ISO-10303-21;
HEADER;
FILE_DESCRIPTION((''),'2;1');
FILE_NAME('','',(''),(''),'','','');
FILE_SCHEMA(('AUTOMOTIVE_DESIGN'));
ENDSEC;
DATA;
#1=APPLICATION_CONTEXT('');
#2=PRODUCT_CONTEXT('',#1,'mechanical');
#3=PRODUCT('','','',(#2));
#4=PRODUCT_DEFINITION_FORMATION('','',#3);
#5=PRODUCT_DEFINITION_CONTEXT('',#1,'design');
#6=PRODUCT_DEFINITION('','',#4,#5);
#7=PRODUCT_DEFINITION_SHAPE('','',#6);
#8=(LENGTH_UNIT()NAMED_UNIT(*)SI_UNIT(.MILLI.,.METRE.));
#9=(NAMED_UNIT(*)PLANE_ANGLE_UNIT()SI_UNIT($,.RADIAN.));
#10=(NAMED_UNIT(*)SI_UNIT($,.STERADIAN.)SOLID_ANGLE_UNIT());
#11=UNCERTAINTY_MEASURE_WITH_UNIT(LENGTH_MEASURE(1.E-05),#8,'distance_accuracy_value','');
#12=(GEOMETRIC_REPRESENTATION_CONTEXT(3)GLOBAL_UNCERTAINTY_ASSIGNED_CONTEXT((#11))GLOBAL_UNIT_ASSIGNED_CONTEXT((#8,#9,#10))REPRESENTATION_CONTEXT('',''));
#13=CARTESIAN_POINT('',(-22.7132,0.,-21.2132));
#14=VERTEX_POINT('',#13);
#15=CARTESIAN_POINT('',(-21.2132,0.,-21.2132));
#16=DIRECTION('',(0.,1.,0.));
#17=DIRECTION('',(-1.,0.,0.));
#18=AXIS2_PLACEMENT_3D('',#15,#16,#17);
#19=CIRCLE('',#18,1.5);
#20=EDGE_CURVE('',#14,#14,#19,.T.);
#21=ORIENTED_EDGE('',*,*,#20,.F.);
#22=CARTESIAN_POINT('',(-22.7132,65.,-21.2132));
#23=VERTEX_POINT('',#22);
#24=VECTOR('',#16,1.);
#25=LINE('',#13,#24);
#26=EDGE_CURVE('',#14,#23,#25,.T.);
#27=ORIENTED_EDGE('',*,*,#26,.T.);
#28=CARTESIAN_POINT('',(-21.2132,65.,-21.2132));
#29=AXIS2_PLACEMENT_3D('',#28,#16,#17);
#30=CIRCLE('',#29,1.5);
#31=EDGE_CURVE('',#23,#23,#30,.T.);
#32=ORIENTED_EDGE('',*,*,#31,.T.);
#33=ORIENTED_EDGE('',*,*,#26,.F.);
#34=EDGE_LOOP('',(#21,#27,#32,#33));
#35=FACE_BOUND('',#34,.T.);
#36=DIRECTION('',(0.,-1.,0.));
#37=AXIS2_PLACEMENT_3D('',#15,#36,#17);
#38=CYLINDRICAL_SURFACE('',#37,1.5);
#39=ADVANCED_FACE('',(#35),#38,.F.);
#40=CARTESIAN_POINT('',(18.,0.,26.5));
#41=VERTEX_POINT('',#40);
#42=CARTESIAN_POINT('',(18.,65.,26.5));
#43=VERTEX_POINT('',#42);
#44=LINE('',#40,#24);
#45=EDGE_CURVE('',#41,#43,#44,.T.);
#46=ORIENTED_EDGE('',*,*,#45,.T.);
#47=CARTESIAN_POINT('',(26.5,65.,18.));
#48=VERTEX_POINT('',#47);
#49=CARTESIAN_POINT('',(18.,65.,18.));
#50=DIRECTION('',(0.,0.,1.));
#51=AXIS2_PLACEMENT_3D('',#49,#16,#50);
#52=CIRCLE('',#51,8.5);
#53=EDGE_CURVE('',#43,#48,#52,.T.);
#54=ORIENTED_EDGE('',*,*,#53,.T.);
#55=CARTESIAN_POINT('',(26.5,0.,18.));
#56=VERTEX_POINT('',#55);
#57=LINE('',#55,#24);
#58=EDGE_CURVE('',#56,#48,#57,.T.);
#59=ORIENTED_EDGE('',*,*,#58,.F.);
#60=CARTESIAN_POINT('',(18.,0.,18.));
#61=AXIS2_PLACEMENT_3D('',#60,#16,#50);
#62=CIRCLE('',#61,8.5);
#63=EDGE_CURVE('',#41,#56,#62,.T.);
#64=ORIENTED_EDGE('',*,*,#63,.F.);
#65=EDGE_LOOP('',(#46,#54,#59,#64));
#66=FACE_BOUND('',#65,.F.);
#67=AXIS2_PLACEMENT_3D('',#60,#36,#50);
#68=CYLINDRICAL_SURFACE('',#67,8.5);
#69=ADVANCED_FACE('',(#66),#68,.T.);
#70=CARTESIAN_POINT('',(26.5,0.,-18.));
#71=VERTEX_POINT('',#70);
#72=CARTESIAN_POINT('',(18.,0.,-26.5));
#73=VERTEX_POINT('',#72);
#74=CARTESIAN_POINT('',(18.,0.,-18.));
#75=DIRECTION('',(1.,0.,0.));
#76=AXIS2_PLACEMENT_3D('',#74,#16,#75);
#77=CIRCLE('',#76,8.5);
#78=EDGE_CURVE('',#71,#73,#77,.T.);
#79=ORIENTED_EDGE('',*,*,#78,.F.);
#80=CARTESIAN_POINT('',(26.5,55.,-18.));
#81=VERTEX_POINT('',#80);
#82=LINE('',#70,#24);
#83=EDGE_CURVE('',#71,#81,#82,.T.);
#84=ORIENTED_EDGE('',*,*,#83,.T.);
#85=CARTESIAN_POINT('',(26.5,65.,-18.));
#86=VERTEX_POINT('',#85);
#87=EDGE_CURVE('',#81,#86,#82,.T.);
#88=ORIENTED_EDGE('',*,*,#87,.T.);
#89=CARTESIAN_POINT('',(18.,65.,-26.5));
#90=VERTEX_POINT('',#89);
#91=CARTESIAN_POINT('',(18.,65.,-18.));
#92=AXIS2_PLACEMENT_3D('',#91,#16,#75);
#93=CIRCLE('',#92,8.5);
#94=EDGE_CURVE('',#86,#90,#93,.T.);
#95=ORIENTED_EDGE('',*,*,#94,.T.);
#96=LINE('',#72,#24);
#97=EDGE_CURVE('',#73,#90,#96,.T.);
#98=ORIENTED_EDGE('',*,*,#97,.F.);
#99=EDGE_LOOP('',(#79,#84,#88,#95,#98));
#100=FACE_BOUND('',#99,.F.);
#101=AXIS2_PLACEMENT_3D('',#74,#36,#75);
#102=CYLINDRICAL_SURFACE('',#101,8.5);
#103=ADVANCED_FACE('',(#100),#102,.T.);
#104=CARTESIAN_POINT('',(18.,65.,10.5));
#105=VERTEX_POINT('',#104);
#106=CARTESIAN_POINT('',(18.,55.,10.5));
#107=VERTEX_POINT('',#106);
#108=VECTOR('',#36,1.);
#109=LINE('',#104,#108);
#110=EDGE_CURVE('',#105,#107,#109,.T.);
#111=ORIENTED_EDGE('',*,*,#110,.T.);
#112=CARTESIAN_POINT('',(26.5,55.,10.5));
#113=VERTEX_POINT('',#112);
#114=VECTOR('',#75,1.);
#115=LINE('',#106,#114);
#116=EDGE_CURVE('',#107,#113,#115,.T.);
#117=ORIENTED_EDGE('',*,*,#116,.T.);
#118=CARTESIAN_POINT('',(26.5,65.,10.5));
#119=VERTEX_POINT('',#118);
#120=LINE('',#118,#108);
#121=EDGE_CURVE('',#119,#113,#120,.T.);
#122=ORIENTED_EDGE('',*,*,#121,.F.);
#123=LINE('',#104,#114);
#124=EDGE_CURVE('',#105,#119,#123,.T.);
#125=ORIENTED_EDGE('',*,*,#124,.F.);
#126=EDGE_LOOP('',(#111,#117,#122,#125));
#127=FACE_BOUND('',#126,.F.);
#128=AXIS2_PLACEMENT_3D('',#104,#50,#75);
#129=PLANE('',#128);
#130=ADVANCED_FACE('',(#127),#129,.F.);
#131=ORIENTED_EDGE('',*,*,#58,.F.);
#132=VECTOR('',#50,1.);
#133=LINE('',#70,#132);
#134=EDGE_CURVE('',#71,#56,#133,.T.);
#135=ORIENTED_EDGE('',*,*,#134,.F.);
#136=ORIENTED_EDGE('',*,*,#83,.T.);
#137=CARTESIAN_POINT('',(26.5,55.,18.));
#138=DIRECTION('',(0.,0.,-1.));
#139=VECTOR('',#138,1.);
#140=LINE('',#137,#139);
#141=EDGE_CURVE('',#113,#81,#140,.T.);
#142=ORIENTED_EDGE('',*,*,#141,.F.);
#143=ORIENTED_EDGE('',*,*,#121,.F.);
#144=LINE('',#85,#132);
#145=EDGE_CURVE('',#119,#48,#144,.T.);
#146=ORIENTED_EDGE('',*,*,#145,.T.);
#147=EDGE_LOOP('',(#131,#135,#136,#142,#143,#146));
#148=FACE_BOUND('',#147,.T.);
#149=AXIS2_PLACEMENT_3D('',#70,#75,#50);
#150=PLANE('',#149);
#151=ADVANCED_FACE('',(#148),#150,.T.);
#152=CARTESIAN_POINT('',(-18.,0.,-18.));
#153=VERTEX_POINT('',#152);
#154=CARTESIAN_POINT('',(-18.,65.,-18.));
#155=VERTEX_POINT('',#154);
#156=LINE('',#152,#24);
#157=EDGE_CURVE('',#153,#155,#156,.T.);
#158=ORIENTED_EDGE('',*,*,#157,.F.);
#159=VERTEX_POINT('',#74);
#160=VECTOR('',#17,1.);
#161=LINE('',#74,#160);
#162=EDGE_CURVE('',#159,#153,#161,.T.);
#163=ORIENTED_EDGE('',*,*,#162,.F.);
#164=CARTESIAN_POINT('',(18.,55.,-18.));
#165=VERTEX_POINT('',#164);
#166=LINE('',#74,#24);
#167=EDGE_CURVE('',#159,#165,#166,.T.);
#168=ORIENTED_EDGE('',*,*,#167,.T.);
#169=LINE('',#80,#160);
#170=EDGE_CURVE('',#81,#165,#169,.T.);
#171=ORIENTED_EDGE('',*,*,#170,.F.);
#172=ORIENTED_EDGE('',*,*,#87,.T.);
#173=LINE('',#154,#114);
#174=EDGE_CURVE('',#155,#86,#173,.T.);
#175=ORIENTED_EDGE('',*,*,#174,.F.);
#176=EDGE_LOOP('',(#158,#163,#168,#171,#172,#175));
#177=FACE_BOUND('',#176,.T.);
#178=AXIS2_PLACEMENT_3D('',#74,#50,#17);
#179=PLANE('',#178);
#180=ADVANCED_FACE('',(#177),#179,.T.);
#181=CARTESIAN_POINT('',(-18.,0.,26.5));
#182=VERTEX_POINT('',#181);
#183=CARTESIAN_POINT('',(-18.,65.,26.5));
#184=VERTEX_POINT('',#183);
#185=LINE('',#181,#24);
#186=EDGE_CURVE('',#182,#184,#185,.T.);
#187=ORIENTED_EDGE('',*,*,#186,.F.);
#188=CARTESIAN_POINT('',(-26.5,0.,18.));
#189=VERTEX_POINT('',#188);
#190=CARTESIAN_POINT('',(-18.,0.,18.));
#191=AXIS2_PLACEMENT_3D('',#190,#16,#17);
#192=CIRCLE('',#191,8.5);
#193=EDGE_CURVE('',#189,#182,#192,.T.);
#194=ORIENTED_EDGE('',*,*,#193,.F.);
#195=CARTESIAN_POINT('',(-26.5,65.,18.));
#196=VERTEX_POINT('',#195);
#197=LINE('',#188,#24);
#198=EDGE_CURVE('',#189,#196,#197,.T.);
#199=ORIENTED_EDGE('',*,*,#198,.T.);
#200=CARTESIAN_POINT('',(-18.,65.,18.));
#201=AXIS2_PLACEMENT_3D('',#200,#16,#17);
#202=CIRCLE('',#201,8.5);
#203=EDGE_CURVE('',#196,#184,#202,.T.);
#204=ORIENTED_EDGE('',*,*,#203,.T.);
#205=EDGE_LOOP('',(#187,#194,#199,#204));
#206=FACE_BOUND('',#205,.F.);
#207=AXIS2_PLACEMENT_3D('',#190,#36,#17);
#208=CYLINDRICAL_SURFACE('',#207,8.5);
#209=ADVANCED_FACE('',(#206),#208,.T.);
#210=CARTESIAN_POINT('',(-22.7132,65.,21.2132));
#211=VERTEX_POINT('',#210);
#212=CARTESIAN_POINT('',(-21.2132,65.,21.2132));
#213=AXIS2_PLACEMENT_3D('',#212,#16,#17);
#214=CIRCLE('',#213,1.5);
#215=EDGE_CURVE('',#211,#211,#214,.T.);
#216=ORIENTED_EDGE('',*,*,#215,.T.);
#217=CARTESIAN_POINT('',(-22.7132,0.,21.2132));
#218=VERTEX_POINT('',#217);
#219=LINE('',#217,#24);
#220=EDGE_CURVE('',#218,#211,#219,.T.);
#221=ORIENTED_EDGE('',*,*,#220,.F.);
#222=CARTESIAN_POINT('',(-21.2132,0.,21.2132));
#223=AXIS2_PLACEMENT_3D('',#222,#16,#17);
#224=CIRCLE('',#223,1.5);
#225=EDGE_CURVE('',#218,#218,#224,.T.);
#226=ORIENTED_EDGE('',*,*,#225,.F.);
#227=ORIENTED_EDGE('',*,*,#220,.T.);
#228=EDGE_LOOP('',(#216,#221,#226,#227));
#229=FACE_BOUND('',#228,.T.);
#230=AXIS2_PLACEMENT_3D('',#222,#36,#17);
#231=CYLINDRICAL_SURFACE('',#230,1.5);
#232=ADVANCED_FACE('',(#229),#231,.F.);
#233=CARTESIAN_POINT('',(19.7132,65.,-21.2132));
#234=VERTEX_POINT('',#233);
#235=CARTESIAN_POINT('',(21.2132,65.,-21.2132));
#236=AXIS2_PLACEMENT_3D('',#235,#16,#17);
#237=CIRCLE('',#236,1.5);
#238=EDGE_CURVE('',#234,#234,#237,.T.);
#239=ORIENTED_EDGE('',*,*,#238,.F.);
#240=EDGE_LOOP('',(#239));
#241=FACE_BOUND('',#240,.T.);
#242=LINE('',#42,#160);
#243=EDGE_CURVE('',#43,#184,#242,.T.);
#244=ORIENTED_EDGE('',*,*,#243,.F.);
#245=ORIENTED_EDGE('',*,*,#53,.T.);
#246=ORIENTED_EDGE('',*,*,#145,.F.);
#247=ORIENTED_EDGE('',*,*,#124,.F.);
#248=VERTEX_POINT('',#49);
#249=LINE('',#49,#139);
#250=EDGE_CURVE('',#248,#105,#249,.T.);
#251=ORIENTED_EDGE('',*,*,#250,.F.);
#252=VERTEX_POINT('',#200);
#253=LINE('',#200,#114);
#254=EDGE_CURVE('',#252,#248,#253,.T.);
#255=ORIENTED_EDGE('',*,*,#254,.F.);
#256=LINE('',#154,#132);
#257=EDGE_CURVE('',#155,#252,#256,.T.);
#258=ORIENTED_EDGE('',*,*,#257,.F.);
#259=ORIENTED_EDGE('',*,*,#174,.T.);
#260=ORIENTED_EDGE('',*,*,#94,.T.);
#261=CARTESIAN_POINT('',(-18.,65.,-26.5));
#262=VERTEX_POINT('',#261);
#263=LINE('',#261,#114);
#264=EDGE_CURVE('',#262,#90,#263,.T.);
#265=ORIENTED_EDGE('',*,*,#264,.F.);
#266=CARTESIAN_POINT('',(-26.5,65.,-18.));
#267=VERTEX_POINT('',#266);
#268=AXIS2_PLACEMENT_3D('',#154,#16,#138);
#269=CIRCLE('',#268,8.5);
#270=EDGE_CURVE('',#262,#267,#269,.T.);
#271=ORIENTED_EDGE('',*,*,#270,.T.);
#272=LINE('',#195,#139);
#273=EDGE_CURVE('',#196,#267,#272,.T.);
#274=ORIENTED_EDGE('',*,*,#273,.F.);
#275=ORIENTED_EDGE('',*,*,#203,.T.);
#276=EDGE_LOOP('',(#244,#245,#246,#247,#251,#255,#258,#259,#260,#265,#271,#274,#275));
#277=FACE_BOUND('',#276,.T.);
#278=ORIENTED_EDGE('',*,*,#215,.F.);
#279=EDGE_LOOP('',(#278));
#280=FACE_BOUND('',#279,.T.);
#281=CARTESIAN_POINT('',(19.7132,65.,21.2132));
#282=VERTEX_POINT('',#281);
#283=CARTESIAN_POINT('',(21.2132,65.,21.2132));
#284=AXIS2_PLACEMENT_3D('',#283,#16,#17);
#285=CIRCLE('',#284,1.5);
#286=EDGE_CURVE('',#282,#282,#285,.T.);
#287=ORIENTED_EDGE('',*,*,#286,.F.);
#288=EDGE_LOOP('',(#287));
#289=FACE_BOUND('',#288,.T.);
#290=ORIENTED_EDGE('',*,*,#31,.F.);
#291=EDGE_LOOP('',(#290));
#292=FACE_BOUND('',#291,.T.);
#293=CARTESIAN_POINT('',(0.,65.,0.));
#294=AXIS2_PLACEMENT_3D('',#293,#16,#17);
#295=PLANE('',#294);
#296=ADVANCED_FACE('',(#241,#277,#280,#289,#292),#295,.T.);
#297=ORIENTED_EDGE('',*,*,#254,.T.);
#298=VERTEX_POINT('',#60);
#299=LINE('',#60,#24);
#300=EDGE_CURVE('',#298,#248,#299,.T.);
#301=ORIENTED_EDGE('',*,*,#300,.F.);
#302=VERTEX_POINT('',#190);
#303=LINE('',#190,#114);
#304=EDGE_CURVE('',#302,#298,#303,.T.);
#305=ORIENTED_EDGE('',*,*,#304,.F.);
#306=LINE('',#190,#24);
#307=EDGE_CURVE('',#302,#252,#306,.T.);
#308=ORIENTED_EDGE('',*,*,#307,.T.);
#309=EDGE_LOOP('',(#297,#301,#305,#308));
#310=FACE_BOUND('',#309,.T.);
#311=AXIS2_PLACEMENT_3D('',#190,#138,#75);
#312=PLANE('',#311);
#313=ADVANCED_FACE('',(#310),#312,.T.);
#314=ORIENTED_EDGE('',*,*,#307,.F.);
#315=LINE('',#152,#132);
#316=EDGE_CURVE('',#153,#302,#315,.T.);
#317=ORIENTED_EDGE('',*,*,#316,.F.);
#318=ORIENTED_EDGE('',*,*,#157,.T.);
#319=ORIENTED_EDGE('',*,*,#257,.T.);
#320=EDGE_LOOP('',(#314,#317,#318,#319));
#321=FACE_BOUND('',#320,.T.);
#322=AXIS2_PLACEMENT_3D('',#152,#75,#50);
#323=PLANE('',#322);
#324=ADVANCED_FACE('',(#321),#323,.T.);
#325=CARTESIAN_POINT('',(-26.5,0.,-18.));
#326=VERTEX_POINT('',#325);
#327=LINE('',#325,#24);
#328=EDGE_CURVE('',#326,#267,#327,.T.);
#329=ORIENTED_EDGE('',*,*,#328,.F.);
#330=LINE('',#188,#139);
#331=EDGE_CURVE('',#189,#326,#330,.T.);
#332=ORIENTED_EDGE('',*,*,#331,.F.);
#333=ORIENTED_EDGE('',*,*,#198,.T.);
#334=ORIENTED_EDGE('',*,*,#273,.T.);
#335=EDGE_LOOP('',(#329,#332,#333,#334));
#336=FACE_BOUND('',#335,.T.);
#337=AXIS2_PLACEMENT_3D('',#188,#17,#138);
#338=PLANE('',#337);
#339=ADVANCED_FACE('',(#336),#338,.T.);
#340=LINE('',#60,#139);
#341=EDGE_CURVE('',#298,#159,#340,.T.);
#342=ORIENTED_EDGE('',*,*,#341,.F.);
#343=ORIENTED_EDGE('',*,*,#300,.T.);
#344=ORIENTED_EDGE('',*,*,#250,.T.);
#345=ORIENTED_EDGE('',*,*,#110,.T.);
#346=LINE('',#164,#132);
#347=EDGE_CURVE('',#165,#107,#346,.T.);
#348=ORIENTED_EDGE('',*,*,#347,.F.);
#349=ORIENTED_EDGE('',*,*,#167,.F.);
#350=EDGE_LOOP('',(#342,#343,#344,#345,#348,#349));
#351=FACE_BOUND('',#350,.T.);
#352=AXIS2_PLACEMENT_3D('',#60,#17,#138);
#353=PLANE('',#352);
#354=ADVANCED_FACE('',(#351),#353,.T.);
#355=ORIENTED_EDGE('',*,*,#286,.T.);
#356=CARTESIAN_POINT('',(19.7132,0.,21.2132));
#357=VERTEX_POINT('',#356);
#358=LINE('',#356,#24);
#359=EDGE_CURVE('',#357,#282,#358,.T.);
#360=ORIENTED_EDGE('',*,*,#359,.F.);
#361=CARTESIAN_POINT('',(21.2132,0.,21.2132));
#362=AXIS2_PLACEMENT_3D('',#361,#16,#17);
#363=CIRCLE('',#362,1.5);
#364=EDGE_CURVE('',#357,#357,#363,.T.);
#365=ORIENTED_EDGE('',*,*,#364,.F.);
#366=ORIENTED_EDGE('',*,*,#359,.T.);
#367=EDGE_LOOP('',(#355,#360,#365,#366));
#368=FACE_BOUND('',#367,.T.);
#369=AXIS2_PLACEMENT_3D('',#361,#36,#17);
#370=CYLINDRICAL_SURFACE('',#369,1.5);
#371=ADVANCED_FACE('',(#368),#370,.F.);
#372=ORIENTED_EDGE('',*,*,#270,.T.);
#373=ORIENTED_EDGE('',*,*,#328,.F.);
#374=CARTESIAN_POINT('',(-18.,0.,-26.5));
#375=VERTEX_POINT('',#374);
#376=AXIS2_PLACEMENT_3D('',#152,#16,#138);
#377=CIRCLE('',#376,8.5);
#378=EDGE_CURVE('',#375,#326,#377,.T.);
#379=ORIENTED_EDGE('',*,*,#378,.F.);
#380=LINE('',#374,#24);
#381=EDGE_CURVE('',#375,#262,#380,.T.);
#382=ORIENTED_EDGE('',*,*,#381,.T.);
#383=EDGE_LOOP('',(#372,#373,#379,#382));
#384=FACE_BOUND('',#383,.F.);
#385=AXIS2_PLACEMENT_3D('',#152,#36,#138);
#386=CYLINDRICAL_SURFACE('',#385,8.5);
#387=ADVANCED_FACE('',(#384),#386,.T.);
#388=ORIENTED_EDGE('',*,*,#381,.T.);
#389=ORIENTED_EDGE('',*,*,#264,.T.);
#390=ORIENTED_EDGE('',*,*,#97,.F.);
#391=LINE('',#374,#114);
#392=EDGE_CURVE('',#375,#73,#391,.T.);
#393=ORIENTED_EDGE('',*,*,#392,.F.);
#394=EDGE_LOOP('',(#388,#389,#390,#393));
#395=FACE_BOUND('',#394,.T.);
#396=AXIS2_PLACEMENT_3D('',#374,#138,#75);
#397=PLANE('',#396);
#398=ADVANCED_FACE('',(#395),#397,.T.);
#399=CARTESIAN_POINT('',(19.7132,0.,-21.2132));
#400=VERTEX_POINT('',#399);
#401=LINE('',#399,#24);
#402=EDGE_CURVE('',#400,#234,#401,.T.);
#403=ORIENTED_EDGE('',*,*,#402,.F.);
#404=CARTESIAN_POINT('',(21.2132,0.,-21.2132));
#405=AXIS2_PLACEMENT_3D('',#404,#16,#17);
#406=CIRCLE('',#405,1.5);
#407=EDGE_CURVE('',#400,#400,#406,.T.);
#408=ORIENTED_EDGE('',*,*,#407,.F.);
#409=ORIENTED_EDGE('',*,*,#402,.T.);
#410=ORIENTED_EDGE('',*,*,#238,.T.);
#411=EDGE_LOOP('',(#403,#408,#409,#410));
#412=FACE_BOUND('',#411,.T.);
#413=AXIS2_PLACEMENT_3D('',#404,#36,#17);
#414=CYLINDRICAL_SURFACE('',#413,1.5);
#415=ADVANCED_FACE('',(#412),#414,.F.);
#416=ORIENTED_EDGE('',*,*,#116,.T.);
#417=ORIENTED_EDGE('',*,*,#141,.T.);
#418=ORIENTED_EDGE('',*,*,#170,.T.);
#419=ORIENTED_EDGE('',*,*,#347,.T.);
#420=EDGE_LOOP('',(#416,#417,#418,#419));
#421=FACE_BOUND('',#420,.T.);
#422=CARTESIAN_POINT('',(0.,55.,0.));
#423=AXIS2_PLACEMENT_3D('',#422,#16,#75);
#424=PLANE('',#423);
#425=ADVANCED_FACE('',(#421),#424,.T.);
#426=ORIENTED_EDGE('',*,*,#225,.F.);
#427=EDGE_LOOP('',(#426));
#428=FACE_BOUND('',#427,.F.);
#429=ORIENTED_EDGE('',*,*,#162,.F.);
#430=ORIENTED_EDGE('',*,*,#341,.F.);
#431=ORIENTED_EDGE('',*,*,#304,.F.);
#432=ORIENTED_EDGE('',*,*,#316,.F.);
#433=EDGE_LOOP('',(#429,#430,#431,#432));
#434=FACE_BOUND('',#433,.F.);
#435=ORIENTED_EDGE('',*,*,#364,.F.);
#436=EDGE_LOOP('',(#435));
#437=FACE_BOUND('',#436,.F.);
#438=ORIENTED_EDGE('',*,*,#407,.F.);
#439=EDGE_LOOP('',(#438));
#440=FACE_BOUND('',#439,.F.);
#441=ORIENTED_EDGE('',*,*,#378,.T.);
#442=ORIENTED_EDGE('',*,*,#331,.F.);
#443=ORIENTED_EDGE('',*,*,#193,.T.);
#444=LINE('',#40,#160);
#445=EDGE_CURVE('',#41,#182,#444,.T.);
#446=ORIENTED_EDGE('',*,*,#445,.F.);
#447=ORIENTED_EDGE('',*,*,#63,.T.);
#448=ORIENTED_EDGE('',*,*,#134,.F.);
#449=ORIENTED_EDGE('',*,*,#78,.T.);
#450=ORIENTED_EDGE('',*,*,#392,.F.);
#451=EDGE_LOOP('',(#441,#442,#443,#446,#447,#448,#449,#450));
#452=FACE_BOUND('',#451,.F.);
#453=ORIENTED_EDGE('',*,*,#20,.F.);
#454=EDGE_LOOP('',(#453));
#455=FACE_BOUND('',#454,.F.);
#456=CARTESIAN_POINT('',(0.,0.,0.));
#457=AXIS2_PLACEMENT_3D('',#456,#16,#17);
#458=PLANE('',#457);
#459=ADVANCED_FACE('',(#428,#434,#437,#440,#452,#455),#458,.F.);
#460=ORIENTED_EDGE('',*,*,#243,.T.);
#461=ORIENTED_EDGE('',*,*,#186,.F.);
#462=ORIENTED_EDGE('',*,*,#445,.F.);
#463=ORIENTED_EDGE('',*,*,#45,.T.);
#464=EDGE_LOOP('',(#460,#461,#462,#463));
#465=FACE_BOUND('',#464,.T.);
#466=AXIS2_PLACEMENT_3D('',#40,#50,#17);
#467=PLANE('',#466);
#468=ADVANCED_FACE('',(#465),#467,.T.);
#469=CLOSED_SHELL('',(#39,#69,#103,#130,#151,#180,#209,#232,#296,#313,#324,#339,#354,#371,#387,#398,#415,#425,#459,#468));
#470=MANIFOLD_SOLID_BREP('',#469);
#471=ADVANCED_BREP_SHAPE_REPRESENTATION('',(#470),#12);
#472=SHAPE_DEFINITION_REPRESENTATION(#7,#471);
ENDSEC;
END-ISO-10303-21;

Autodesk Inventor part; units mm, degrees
ref_plane "YZ Plane" through (0, 0, 0) normal (1, 0, 0) x (0, 1, 0)
ref_plane "XZ Plane" through (0, 0, 0) normal (0, 1, 0) x (-1, 0, 0)
ref_plane "XY Plane" through (0, 0, 0) normal (0, 0, 1) x (1, 0, 0)
sketch "Эскиз1" plane through (0, 0, 0) normal (0, 1, 0) x (-1, 0, 0)
  arc A0 (-18, 26.5) -> (-26.5, 18) centre (-18, 18) ccw
  line L0 (-26.5, -18) -> (-26.5, 18)
  arc A1 (-26.5, -18) -> (-18, -26.5) centre (-18, -18) ccw
  line L1 (18, -26.5) -> (-18, -26.5)
  arc A2 (18, -26.5) -> (26.5, -18) centre (18, -18) ccw
  line L2 (26.5, 18) -> (26.5, -18)
  arc A3 (26.5, 18) -> (18, 26.5) centre (18, 18) ccw
  line L3 (-18, 26.5) -> (18, 26.5)
  circle A4 centre (-21.2132, 21.2132) radius 1.5
  circle A5 centre (-21.2132, -21.2132) radius 1.5
  circle A6 centre (21.2132, -21.2132) radius 1.5
  circle A7 centre (21.2132, 21.2132) radius 1.5
  line L4 (18, 18) -> (-18, 18)
  line L5 (-18, 18) -> (-18, -18)
  line L6 (-18, -18) -> (18, -18)
  line L7 (18, -18) -> (18, 18)
  point P0 (0, 0)
  point P1 (0, 0)
extrude "Выдавливание1" add sketch "Эскиз1" along normal blind 65
sketch "Эскиз5" plane through (-18, 0, 26.5) normal (0, 0, 1) x (1, 0, 0)
  line L0 (-33.8256, 77.7148) -> (54.9741, 77.7148)
  line L1 (54.9741, 77.7148) -> (54.9741, -14.3336)
  line L2 (54.9741, -14.3336) -> (-33.8256, -14.3336)
  line L3 (-33.8256, -14.3336) -> (-33.8256, 77.7148)
  point P0 (18, 0)
extrude "Выдавливание5" [suppressed]
sketch "Эскиз6" plane through (0, 65, 0) normal (0, 1, 0) x (1, 0, 0)
  line L0 (26.5, -18) -> (26.5, 18) projected
  line L1 (18, 18) -> (18, -18) projected
  line L2 (26.5, 18) -> (18, 18)
  line L3 (18, 18) -> (18, -10.5)
  line L4 (18, -10.5) -> (26.5, -10.5)
  line L5 (26.5, -10.5) -> (26.5, 18)
  point P0 (0, 0)
extrude "Выдавливание6" cut sketch "Эскиз6" against normal blind 10
properties part number "000.207 - Поддержка центра"
